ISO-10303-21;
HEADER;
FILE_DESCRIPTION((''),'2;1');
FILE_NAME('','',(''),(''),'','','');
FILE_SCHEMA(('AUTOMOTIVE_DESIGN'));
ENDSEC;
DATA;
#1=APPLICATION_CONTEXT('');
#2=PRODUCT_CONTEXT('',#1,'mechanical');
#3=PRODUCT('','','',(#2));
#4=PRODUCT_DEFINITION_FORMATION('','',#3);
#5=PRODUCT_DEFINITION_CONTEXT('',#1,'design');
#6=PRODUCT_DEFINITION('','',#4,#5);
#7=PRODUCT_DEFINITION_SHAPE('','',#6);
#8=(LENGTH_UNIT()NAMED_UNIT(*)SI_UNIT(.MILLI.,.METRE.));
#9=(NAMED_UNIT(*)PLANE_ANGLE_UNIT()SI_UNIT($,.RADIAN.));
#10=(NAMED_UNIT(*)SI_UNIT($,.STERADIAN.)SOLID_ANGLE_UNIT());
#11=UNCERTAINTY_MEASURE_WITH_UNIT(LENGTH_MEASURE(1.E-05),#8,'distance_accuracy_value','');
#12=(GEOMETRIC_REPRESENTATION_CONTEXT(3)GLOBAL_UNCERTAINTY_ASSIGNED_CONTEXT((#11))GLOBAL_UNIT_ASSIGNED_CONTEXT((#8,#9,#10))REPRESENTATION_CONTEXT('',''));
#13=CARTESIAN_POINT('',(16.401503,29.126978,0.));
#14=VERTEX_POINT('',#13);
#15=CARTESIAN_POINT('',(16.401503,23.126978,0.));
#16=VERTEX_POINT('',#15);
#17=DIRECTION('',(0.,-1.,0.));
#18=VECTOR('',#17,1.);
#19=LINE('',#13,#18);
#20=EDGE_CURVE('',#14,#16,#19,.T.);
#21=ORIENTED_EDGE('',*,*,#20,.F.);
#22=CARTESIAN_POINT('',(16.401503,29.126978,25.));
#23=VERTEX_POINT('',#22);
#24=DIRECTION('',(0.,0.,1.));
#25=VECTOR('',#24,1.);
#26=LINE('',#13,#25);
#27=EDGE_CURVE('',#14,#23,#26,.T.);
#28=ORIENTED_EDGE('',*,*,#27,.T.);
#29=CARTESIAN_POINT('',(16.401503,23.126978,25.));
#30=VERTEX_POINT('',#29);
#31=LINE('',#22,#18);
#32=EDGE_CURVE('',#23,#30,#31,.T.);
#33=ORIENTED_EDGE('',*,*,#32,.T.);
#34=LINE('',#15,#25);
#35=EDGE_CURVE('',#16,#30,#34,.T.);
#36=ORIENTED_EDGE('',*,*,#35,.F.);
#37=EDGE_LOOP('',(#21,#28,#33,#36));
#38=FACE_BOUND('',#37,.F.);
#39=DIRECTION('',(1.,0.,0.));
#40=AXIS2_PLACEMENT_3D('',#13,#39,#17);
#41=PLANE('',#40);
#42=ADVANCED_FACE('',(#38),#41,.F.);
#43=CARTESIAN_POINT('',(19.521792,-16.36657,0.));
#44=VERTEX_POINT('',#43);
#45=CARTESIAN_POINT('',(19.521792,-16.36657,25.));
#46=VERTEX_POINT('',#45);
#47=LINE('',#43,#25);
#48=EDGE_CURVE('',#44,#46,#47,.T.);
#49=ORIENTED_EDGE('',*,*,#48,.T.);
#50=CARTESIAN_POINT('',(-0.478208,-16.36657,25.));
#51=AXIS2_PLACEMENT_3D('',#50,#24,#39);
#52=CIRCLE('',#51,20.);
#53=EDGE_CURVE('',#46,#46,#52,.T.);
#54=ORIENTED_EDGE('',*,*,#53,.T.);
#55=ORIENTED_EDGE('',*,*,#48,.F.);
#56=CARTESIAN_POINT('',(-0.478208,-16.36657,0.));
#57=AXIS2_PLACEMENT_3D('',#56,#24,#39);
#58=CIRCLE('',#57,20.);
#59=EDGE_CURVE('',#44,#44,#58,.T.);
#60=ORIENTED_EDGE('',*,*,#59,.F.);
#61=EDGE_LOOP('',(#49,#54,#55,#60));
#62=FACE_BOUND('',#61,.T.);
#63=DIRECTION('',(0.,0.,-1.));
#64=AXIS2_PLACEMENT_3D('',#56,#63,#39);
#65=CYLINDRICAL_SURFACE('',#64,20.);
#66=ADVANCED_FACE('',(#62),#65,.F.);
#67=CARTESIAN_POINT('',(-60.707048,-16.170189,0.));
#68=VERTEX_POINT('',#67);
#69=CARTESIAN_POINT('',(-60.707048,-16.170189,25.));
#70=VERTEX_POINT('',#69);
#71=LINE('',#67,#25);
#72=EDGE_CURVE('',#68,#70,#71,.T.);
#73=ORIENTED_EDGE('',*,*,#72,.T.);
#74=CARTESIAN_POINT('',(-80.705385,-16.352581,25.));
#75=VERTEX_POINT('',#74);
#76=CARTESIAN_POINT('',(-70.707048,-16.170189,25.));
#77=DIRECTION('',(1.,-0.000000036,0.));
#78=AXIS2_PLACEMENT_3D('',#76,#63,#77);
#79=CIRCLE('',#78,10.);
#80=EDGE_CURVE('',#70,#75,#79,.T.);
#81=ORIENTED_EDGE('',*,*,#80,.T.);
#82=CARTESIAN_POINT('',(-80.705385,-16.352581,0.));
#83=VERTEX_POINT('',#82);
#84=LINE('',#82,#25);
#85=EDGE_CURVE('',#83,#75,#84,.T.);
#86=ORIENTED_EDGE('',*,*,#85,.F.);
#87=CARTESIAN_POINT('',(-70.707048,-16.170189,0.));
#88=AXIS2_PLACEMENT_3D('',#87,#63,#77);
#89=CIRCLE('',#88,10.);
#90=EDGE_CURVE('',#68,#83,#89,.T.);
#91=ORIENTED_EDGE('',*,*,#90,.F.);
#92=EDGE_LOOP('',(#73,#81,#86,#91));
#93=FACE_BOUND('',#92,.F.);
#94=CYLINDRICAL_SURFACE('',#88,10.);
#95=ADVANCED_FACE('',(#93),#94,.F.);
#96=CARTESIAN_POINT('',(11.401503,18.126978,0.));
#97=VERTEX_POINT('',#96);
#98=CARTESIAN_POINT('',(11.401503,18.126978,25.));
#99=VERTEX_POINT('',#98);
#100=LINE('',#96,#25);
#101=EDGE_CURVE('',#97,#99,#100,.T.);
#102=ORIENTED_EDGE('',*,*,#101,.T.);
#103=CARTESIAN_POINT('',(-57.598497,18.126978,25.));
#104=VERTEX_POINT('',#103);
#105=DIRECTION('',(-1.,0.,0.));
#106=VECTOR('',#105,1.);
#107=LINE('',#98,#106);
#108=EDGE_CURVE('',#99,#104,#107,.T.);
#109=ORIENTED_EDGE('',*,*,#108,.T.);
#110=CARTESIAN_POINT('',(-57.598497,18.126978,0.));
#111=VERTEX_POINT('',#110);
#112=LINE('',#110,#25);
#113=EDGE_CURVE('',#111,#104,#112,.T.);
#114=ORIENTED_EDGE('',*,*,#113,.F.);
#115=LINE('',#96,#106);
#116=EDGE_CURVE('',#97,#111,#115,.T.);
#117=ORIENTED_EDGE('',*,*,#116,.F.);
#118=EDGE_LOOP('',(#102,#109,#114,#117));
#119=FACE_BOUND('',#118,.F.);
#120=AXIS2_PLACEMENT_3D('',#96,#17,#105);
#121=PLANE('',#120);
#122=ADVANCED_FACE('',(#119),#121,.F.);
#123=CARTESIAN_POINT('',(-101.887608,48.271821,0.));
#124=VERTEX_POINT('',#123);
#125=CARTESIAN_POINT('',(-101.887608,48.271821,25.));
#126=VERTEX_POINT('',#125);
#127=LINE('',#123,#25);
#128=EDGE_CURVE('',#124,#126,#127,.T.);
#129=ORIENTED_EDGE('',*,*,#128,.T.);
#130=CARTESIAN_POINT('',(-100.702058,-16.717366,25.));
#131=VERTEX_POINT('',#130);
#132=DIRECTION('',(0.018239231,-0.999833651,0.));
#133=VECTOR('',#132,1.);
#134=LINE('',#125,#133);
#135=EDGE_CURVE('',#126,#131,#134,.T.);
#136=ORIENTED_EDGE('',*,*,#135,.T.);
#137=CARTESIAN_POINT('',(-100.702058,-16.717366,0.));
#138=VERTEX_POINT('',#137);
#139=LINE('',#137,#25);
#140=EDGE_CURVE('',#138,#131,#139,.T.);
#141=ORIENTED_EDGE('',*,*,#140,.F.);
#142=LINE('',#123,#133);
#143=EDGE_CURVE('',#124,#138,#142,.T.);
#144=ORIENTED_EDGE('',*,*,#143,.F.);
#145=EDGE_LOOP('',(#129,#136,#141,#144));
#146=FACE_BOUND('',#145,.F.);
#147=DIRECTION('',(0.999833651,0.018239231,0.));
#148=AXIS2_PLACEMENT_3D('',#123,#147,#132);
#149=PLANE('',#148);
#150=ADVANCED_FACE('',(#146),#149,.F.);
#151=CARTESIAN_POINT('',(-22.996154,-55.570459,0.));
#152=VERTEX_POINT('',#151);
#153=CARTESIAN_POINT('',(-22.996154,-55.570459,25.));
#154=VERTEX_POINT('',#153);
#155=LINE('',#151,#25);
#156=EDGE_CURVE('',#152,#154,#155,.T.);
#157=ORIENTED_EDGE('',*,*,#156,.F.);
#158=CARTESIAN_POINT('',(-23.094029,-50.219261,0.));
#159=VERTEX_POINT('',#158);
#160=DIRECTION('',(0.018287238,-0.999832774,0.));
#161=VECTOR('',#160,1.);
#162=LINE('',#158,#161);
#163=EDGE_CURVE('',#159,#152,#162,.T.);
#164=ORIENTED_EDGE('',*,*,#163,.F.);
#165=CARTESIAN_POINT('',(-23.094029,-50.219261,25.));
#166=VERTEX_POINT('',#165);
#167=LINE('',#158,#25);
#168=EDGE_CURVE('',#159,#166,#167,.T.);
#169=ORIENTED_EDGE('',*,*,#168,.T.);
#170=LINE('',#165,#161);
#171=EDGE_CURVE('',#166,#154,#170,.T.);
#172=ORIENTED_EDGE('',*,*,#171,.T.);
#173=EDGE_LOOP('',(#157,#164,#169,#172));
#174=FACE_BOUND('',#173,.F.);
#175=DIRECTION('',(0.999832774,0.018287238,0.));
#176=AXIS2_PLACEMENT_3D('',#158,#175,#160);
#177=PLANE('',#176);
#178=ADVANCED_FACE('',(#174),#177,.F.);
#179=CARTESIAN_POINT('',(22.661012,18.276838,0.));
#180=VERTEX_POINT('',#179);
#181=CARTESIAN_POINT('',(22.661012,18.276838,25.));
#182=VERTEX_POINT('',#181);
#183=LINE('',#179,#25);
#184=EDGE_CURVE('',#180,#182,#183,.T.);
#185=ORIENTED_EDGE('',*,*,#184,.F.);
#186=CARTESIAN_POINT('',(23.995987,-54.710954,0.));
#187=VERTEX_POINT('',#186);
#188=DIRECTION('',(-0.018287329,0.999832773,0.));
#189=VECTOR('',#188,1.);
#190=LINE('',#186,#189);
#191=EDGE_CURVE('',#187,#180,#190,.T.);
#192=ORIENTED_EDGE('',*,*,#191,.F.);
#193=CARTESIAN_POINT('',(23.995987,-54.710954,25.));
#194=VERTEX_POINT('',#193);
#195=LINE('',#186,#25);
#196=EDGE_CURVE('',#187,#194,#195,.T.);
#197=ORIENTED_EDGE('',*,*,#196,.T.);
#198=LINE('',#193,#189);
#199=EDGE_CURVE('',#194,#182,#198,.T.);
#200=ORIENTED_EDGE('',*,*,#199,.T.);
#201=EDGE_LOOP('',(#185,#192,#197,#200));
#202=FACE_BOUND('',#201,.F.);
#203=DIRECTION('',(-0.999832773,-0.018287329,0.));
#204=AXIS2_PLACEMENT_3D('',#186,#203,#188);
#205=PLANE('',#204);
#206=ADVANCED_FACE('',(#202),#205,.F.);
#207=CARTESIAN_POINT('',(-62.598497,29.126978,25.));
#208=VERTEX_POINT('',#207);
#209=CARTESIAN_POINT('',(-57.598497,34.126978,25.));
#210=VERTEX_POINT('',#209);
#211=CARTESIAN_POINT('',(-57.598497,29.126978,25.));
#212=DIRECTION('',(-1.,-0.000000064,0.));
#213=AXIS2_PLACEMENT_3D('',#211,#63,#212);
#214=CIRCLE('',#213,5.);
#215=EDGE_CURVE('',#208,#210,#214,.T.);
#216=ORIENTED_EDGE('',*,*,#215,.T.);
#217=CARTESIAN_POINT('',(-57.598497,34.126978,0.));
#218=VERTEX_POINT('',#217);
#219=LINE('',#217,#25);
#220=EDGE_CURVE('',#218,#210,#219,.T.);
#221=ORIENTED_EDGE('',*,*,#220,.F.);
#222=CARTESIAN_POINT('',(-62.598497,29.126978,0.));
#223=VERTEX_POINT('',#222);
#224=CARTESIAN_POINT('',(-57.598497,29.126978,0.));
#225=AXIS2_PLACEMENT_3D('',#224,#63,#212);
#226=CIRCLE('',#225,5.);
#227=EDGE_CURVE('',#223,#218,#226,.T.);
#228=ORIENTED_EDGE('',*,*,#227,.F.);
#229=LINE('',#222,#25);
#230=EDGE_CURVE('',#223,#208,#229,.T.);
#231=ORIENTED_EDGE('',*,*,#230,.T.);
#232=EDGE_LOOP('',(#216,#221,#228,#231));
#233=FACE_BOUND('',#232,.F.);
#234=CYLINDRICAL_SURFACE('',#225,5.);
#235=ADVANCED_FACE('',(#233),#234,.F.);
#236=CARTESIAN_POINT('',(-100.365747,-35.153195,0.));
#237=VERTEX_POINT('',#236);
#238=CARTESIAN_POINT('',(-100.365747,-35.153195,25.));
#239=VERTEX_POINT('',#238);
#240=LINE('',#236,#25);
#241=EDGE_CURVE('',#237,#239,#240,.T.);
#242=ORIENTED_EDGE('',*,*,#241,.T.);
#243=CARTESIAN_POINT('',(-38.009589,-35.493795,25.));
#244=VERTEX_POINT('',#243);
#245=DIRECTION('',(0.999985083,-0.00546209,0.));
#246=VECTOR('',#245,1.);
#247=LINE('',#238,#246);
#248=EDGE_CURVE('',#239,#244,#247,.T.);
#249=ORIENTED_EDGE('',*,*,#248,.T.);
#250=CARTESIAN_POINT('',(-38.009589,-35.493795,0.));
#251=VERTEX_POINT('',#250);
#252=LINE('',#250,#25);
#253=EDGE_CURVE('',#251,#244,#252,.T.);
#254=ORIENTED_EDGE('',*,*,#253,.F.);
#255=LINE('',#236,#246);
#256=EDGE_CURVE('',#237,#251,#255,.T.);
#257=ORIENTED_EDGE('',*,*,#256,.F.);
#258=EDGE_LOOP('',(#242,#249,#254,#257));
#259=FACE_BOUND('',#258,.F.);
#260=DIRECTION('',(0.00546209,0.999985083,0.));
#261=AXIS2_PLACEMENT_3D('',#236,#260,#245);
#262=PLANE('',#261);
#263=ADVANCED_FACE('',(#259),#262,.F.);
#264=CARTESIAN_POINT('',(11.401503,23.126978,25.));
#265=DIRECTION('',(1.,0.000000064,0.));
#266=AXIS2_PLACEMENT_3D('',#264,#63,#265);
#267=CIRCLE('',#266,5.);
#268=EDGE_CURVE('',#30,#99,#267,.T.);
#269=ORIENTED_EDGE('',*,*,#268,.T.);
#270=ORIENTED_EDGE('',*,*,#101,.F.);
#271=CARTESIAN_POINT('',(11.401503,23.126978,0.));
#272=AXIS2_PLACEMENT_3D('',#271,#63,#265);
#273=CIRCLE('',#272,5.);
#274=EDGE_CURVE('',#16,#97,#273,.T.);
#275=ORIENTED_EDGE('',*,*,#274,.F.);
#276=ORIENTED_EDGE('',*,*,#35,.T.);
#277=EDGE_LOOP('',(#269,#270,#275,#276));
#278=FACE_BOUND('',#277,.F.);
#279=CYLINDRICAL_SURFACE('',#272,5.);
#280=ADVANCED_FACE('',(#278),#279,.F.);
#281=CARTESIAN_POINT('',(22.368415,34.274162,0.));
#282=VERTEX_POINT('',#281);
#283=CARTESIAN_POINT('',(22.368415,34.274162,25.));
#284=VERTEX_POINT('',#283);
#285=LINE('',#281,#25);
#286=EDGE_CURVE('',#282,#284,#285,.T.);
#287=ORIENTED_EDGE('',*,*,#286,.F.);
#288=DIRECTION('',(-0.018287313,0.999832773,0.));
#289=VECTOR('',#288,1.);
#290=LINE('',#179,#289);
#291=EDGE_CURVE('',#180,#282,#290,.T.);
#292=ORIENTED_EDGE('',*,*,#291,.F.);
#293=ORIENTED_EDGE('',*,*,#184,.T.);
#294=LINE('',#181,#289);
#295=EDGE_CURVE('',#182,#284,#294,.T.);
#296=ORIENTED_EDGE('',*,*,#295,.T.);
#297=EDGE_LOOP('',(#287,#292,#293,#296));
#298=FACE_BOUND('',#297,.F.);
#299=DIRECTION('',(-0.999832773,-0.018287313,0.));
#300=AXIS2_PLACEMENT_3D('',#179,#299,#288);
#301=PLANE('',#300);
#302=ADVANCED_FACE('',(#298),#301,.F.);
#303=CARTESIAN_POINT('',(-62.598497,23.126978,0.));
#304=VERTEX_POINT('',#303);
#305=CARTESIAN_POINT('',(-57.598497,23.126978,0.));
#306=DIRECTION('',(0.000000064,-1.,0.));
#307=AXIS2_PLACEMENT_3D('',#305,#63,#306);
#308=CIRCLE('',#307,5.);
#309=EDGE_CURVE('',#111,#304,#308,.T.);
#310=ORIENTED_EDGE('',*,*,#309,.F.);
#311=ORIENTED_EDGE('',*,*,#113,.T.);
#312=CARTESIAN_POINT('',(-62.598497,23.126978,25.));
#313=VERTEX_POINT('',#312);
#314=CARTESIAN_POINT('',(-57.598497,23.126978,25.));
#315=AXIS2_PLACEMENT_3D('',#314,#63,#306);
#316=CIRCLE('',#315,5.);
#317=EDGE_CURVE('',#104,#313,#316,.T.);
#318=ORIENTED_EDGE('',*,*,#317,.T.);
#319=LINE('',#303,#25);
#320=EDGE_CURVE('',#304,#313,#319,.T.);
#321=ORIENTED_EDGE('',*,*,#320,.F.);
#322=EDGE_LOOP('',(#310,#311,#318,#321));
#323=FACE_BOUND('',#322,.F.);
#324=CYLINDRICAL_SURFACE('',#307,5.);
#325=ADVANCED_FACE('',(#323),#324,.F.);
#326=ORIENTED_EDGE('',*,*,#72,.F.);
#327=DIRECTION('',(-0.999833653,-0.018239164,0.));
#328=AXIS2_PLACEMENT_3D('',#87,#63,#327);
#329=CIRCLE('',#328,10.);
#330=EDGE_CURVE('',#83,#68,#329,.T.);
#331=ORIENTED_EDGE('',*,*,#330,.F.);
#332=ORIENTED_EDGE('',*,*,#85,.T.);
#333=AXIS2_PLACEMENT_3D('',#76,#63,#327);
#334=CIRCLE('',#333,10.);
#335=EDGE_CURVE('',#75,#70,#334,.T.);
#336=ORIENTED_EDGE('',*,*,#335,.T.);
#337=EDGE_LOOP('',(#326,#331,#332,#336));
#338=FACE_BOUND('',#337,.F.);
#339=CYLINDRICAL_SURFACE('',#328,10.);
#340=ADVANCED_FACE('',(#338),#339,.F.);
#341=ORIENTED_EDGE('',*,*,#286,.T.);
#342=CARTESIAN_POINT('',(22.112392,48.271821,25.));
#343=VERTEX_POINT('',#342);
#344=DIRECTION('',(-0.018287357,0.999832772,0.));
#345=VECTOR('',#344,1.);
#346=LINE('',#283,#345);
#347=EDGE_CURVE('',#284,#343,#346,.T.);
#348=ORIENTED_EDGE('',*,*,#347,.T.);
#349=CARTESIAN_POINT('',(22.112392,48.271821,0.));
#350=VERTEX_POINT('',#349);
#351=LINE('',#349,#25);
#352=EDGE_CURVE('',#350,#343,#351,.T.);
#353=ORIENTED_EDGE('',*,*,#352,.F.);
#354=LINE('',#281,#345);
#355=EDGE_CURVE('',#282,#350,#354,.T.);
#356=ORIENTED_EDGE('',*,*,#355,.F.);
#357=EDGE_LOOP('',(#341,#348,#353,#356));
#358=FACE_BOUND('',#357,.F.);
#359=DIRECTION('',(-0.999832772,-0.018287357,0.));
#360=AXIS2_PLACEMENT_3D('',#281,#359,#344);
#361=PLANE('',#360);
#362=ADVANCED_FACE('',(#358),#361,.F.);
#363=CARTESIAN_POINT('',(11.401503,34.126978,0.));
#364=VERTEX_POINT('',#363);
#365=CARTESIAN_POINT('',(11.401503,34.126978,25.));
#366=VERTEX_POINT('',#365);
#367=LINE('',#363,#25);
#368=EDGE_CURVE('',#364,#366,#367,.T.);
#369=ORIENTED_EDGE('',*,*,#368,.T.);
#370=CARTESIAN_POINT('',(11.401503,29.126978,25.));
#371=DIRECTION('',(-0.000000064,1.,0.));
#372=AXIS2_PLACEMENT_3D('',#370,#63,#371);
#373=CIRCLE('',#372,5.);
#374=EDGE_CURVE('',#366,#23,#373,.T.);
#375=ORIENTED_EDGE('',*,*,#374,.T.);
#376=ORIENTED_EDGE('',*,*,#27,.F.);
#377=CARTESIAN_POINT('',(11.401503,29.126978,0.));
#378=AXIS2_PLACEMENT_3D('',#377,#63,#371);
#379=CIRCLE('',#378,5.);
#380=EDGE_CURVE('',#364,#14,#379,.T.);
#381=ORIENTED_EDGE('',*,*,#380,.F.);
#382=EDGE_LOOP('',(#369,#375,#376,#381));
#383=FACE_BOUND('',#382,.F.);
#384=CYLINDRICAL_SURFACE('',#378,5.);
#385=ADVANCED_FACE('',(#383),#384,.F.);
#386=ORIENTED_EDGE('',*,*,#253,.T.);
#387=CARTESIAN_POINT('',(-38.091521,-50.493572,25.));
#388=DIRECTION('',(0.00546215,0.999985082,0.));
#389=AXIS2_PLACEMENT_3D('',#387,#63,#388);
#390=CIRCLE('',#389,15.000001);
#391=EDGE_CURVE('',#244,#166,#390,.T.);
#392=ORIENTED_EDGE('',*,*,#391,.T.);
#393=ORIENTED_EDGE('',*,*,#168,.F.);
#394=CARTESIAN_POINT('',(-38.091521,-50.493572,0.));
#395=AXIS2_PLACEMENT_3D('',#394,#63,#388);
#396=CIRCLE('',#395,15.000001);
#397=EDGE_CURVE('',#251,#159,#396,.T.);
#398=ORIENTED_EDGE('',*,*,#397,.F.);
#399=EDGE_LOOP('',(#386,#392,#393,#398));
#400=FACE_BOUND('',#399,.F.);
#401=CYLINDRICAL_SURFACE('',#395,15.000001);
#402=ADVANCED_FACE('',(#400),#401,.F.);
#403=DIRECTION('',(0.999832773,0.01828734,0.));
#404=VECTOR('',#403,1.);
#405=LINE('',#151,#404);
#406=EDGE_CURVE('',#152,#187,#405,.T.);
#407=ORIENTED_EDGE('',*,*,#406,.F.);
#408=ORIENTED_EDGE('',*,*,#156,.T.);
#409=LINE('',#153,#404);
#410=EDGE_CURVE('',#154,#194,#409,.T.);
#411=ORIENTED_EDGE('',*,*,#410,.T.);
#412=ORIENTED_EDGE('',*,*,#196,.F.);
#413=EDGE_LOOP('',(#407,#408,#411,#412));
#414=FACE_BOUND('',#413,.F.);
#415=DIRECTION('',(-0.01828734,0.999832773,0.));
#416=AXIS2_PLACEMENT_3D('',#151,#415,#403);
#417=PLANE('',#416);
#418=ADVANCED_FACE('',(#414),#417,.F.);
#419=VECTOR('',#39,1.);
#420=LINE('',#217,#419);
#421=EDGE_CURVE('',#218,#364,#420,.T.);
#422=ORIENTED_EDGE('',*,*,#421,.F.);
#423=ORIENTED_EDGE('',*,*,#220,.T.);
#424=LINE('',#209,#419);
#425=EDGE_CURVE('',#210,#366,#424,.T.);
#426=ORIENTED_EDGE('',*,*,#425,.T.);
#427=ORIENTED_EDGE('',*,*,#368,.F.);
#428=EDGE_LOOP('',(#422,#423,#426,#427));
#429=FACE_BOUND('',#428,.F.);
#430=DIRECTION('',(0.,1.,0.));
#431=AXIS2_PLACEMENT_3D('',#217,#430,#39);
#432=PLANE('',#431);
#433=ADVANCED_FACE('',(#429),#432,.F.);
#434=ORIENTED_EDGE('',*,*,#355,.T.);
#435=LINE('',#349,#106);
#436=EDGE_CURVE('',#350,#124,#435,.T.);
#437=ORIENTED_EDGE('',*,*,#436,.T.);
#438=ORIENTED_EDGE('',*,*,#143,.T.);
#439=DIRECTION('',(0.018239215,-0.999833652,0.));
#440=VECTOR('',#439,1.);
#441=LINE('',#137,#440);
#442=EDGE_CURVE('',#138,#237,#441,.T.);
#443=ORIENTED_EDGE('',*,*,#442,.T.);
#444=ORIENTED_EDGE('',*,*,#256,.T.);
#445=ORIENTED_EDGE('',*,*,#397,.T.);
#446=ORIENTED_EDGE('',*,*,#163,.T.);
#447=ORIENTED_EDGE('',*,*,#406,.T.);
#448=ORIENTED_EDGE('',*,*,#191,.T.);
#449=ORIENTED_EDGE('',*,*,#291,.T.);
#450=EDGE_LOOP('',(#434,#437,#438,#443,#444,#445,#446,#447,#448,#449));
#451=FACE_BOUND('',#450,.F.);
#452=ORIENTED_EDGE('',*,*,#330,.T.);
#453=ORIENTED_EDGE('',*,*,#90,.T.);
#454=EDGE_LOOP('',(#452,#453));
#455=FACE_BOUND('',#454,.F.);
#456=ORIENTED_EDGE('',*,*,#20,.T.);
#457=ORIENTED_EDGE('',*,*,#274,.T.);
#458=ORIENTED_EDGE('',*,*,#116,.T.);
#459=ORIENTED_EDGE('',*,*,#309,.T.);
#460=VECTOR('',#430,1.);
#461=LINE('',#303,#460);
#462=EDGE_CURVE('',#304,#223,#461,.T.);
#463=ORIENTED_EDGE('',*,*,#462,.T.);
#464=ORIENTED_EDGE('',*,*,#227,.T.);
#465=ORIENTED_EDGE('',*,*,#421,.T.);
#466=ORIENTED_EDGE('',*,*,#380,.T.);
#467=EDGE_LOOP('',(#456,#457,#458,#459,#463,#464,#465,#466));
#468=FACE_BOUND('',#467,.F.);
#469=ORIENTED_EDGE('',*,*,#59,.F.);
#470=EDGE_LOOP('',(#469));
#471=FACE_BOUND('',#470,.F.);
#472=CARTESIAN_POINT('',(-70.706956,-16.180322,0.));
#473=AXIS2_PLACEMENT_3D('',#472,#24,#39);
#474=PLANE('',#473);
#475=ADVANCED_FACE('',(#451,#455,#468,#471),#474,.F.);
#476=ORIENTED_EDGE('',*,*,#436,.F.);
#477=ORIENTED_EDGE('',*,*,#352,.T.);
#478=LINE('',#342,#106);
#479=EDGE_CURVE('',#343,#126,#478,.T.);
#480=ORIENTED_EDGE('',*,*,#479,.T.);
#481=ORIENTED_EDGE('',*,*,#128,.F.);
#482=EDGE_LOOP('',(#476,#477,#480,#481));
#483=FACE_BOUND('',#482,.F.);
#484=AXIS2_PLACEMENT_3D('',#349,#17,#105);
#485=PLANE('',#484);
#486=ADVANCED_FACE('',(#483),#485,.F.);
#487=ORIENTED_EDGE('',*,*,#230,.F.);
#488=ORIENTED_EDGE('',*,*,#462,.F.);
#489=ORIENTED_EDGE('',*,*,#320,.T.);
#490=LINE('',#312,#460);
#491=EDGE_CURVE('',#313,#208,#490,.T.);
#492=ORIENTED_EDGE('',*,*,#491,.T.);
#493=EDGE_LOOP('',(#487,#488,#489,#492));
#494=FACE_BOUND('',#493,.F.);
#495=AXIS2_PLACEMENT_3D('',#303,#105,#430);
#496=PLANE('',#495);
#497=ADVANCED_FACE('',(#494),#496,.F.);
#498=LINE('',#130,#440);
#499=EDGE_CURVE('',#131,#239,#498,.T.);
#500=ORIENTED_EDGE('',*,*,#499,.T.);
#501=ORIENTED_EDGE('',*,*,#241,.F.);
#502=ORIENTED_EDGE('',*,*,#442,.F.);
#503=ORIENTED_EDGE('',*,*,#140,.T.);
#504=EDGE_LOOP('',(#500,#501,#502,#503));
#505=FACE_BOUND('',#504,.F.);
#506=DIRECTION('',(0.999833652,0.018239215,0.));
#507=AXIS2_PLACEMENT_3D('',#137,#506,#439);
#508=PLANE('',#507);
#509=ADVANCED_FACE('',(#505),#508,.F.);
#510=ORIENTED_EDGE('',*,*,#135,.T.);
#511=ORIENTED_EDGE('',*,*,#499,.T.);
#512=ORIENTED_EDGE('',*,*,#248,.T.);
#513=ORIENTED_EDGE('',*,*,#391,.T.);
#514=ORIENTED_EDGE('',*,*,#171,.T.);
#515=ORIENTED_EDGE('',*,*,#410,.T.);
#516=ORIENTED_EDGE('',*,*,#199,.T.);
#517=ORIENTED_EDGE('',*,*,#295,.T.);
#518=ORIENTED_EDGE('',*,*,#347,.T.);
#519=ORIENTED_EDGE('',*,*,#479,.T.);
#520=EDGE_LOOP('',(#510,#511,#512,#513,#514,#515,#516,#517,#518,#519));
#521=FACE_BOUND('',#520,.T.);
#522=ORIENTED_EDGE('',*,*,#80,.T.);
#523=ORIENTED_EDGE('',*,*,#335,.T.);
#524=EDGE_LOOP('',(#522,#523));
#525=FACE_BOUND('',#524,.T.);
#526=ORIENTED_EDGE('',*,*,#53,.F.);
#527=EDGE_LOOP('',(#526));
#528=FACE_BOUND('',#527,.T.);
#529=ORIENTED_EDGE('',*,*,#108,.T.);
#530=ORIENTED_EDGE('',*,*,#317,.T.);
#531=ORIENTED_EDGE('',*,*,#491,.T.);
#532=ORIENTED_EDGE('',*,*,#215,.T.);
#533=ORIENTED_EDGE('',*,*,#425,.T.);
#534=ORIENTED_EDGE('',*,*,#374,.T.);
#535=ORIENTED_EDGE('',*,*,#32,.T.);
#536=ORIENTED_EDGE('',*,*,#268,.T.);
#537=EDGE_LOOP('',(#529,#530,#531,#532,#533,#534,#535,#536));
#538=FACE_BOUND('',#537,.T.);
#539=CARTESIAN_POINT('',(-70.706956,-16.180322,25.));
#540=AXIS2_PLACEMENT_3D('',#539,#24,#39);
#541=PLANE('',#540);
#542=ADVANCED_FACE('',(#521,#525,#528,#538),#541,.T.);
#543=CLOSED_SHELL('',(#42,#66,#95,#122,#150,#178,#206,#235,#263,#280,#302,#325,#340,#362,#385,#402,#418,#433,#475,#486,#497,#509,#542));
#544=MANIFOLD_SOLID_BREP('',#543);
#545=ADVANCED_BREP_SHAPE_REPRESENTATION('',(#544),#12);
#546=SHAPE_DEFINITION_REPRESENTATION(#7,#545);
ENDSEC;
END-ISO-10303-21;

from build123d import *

# Parameters (mm, degrees)
F0_R     = 20
F1_DEPTH = 25


with BuildPart() as f1:
    # F0 (on Top) → F1 (new body)
    with BuildSketch(Plane.XY):
        with BuildLine():
            ThreePointArc((-60.707048, -16.170189), (-70.798248, -6.170605), (-80.705385, -16.352581))
            ThreePointArc((-80.705385, -16.352581), (-70.615848, -26.169773), (-60.707048, -16.170189))
        make_face()
        with BuildLine():
            Line((17.155273, 48.271821), (-101.887608, 48.271821))
            Line((-101.887608, 48.271821), (-100.702058, -16.717366))
            Line((-100.702058, -16.717366), (-100.365747, -35.153195))
            Line((-100.365747, -35.153195), (-38.009589, -35.493795))
            ThreePointArc((-38.009589, -35.493795), (-27.553158, -39.819167), (-23.094029, -50.219261))
            Line((-23.094029, -50.219261), (-22.996154, -55.570459))
            Line((-22.996154, -55.570459), (23.995987, -54.710954))
            Line((23.995987, -54.710954), (22.661012, 18.276838))
            Line((22.661012, 18.276838), (22.368415, 34.274162))
            Line((22.368415, 34.274162), (22.112392, 48.271821))
            Line((22.112392, 48.271821), (17.155273, 48.271821))
        make_face()
        with BuildLine():
            ThreePointArc((-60.707048, -16.170189), (-70.615848, -26.169773), (-80.705385, -16.352581))
            ThreePointArc((-80.705385, -16.352581), (-70.798248, -6.170605), (-60.707048, -16.170189))
        make_face(mode=Mode.SUBTRACT)
        with Locations((-0.478208, -16.36657)):
            Circle(F0_R, mode=Mode.SUBTRACT)
        with BuildLine():
            ThreePointArc((11.401503, 34.126978), (14.937037, 32.662512), (16.401503, 29.126978))
            Line((16.401503, 29.126978), (16.401503, 23.126978))
            ThreePointArc((16.401503, 23.126978), (14.937037, 19.591444), (11.401503, 18.126978))
            Line((11.401503, 18.126978), (-57.598497, 18.126978))
            ThreePointArc((-57.598497, 18.126978), (-61.134031, 19.591444), (-62.598497, 23.126978))
            Line((-62.598497, 23.126978), (-62.598497, 29.126978))
            ThreePointArc((-62.598497, 29.126978), (-61.134031, 32.662512), (-57.598497, 34.126978))
            Line((-57.598497, 34.126978), (11.401503, 34.126978))
        make_face(mode=Mode.SUBTRACT)
    extrude(amount=F1_DEPTH)


solid = f1.part
